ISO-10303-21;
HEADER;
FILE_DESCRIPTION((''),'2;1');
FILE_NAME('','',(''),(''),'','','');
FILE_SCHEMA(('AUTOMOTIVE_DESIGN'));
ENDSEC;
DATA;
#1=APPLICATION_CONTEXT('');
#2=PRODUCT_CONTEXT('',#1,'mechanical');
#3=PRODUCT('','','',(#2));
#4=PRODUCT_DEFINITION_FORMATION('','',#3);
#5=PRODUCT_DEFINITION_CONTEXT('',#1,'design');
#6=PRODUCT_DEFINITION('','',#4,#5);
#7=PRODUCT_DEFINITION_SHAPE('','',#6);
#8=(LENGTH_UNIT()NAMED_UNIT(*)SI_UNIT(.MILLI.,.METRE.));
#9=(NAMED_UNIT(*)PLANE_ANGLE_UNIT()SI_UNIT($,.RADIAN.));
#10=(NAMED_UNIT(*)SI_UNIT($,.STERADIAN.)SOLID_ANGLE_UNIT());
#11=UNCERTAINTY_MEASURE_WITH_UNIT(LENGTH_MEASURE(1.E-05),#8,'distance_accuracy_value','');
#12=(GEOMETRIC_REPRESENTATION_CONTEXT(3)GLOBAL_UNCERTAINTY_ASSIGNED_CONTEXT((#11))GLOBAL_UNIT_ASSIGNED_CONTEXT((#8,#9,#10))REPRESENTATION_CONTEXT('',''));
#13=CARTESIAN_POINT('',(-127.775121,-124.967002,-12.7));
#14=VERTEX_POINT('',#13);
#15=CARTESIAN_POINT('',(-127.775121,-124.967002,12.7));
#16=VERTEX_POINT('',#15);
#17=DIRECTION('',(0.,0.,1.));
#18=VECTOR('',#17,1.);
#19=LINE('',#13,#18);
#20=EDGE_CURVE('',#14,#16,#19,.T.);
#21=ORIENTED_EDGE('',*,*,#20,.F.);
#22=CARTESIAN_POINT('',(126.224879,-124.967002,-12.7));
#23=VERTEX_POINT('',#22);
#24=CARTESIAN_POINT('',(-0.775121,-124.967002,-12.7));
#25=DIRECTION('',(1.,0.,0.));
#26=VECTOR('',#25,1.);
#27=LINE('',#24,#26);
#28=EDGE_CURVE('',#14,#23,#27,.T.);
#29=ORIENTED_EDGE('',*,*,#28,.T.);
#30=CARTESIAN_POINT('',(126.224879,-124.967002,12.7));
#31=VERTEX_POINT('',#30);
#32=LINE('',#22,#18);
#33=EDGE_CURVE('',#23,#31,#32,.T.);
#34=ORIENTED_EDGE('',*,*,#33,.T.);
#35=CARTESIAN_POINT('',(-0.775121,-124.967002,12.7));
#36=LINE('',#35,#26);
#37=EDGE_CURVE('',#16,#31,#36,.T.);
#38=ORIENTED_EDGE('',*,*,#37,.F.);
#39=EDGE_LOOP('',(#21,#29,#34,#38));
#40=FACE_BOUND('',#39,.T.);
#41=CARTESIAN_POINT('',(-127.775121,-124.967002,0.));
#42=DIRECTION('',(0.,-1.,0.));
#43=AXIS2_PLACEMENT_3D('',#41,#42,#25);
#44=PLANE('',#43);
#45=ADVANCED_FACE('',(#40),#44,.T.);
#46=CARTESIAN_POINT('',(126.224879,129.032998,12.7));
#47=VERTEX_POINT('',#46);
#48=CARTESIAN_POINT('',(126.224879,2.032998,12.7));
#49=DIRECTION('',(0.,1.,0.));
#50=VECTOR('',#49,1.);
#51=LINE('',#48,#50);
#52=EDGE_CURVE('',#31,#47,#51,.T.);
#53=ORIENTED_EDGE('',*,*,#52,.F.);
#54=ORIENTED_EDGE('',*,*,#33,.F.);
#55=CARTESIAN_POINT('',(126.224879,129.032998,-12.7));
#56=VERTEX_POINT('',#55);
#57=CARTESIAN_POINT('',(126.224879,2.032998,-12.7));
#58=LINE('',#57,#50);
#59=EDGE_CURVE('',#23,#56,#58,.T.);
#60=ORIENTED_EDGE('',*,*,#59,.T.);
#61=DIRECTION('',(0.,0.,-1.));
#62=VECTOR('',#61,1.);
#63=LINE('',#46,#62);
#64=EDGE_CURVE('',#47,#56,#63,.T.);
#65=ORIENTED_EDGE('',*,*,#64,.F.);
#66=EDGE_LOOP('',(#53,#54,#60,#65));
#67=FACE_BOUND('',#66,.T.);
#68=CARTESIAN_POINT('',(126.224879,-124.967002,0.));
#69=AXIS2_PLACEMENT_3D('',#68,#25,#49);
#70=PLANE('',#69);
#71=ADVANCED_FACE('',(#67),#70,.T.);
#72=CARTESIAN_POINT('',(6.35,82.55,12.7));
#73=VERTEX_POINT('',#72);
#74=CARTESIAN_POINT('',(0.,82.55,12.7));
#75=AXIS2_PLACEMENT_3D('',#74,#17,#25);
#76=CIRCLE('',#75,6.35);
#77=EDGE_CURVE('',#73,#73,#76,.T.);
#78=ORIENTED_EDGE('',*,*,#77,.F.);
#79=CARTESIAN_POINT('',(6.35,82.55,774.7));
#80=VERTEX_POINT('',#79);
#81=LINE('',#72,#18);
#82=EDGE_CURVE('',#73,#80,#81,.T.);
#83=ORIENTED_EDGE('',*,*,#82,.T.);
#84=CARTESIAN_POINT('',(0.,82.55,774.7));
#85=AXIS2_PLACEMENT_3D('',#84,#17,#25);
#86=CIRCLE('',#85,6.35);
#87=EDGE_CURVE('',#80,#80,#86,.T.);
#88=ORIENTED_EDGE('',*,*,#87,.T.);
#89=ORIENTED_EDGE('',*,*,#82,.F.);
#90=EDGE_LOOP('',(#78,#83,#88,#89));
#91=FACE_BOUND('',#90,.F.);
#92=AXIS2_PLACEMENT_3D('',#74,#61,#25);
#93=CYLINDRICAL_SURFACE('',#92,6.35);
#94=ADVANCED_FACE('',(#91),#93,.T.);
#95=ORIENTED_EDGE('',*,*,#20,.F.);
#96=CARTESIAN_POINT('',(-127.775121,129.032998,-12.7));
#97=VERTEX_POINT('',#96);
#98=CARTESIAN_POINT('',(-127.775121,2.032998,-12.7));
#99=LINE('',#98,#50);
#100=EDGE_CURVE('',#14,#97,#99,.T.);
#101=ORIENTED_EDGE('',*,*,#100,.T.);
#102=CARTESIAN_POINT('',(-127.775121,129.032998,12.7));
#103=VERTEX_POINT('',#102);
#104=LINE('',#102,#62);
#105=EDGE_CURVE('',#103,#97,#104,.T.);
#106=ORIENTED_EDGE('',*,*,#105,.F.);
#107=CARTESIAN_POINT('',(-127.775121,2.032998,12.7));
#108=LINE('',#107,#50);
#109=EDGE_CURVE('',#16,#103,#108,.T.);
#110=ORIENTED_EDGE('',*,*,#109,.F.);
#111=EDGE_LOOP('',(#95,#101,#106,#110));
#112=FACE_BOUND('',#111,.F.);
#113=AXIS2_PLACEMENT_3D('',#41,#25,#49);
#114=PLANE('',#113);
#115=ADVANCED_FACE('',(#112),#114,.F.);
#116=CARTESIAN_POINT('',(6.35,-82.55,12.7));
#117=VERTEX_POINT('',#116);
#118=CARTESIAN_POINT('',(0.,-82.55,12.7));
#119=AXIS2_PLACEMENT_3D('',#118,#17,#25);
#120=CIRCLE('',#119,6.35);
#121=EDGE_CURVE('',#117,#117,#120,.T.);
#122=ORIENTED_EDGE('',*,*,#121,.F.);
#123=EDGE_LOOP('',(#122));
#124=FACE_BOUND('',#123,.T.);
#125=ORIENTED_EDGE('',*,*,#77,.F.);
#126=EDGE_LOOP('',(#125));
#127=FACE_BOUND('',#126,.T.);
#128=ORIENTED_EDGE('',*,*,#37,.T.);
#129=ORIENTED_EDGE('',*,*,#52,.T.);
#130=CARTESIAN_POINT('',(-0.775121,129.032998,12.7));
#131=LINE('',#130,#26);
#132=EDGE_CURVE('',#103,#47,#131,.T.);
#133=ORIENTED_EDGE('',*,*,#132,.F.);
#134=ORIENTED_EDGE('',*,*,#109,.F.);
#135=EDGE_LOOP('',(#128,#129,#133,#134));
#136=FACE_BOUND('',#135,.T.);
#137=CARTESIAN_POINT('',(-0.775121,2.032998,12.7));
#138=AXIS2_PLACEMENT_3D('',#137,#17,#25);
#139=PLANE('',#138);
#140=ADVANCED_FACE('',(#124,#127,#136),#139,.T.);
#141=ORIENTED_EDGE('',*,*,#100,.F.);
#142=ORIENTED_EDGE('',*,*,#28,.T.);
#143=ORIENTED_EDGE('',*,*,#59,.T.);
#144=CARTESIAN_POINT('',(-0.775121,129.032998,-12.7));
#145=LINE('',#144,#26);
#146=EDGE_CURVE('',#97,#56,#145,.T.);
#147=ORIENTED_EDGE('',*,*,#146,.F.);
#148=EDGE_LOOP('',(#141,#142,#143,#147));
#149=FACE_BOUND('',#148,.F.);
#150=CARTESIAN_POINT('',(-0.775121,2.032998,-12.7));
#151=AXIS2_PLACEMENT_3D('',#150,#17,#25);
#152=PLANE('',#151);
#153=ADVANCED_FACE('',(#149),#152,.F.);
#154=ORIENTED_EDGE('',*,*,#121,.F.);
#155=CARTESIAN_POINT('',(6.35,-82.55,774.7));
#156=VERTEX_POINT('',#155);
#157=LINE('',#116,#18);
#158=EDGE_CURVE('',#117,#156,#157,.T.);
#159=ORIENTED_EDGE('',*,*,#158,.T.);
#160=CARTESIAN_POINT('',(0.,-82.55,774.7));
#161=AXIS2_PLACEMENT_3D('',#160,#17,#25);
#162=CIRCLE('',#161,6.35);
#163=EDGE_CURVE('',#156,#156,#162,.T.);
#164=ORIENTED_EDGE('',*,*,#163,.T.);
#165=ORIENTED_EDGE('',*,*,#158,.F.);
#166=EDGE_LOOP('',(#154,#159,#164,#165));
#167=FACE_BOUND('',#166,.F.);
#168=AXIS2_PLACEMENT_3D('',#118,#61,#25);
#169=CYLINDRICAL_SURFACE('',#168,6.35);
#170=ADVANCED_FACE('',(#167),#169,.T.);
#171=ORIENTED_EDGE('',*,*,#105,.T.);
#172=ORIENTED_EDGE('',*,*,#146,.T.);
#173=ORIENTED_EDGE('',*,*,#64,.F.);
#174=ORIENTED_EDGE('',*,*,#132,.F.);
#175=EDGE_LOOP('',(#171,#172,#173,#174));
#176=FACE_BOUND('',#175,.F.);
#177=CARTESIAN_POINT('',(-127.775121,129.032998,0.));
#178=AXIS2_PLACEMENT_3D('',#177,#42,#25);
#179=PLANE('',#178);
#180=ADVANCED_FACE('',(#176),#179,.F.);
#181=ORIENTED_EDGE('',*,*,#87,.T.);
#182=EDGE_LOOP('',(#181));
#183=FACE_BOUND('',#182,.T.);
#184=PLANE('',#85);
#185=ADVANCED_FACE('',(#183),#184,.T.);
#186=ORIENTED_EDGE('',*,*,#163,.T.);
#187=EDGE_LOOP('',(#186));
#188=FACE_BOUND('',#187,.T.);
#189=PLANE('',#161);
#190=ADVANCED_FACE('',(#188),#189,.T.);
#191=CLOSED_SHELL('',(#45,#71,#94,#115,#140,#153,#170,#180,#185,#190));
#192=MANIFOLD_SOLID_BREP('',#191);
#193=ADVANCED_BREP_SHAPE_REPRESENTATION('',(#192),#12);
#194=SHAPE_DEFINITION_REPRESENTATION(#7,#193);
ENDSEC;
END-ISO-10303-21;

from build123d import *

# Parameters (mm, degrees)
F0_W     = 254
F0_H     = 254
F1_DEPTH = 12.7
F2_R     = 6.35
F3_DEPTH = 762


with BuildPart() as f1:
    # F0 (on Top) → F1 (new body, symmetric)
    with BuildSketch(Plane.XY):
        with Locations((-0.775121, 2.032998)):
            Rectangle(F0_W, F0_H)
    extrude(amount=F1_DEPTH, both=True)

    # F2 (on face) → F3 (join)
    with BuildSketch(Plane.XY.offset(12.7)):
        with Locations((0, -82.55)):
            Circle(F2_R)
        with Locations((0, 82.55)):
            Circle(F2_R)
    extrude(amount=F3_DEPTH)


solid = f1.part
